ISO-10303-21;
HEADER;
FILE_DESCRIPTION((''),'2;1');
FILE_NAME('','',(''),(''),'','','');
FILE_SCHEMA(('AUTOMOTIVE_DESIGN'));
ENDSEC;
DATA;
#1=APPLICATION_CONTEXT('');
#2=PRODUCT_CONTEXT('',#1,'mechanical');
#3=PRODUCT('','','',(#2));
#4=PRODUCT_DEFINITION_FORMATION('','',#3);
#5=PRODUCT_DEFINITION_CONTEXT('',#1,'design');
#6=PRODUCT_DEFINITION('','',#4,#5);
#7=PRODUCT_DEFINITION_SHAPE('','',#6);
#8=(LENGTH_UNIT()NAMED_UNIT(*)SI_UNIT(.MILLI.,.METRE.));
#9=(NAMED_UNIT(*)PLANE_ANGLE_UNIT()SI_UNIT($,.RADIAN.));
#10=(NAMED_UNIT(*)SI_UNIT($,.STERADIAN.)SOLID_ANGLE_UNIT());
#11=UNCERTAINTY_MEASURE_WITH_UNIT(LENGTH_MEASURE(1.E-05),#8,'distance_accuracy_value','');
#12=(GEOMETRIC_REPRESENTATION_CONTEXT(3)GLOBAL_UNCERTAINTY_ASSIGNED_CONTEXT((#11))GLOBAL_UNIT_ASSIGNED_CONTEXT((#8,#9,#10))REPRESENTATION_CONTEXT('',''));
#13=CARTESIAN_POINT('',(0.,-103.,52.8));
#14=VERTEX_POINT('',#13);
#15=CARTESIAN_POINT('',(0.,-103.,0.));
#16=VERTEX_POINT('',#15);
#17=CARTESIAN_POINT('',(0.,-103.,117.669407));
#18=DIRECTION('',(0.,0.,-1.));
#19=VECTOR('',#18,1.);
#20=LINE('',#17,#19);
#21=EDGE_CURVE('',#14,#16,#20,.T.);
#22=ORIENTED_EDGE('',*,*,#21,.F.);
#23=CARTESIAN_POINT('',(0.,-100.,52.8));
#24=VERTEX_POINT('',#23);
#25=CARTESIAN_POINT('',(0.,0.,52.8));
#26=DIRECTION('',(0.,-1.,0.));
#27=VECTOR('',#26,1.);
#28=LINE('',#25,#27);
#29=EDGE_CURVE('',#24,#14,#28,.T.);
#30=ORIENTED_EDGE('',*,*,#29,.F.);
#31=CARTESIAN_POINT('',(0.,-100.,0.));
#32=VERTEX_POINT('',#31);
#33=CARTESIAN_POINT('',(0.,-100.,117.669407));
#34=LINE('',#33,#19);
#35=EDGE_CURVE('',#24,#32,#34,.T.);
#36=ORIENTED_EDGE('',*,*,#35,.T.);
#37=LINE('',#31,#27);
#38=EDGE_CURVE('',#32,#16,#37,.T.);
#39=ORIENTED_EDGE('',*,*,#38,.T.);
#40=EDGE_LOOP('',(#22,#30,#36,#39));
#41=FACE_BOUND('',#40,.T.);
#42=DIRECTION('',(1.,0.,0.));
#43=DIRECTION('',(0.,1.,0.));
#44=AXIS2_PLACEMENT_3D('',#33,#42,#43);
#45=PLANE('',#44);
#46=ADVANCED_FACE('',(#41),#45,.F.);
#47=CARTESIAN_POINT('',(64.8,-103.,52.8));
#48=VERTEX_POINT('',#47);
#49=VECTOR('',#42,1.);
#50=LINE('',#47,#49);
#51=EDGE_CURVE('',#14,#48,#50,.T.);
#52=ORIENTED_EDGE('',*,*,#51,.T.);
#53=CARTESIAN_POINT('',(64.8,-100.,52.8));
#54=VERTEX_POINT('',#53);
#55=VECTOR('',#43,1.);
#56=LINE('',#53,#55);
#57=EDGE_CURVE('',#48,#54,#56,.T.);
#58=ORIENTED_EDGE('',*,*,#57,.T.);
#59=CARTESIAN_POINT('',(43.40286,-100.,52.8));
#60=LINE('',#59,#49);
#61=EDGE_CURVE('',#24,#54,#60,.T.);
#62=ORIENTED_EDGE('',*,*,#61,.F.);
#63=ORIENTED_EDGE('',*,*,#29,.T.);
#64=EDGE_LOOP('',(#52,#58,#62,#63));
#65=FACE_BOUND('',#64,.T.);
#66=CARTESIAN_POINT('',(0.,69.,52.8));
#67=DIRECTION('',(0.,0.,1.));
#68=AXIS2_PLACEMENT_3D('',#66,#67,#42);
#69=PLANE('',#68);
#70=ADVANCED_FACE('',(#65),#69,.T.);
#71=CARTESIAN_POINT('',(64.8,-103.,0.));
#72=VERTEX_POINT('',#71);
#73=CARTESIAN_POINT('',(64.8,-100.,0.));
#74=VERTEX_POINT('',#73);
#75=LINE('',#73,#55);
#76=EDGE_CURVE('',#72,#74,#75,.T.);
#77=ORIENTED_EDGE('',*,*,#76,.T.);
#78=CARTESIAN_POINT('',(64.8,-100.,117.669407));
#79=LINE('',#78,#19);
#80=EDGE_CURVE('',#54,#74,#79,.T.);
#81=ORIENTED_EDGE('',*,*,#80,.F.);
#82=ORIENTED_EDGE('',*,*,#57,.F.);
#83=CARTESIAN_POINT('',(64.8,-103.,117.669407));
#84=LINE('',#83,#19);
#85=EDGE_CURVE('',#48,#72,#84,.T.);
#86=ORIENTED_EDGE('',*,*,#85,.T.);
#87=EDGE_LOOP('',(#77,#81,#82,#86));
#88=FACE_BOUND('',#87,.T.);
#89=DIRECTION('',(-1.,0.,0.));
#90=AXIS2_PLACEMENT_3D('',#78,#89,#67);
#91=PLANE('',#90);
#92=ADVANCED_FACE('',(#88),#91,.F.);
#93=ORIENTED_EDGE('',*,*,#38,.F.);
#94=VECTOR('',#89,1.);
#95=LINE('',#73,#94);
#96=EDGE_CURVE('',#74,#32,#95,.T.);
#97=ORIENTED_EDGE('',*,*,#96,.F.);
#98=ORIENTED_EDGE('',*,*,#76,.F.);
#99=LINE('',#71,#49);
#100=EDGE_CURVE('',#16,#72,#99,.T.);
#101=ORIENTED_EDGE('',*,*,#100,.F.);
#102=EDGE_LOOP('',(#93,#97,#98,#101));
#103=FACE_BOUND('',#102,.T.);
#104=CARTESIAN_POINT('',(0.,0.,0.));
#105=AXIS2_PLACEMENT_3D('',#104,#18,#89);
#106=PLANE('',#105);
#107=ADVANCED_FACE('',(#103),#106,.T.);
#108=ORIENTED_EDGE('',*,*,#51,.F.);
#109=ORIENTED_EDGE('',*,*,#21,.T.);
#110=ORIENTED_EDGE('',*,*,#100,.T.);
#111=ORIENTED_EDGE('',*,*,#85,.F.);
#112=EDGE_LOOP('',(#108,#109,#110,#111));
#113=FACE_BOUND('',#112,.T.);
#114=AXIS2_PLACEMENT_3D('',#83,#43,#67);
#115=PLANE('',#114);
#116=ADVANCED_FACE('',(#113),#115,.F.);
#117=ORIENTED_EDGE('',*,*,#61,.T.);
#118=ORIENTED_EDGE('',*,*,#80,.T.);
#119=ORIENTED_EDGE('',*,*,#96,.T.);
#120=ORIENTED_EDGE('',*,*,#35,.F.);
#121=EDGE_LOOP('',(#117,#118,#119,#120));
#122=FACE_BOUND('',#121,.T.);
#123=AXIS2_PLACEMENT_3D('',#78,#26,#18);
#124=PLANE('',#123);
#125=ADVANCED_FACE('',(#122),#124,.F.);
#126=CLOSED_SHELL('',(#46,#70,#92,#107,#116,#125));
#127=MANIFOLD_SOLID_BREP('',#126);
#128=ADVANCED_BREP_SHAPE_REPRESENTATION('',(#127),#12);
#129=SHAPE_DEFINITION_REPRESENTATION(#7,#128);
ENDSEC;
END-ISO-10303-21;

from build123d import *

# Parameters (mm, degrees)
SKETCH1_W           = 64.8
SKETCH1_H           = 3
BOSS_EXTRUDE1_DEPTH = 52.8


with BuildPart() as part:
    # Sketch1 → Boss-Extrude1 (new body)
    with BuildSketch(Plane.XY):
        with Locations((32.4, -101.5)):
            Rectangle(SKETCH1_W, SKETCH1_H)
    extrude(amount=BOSS_EXTRUDE1_DEPTH)


solid = part.part
